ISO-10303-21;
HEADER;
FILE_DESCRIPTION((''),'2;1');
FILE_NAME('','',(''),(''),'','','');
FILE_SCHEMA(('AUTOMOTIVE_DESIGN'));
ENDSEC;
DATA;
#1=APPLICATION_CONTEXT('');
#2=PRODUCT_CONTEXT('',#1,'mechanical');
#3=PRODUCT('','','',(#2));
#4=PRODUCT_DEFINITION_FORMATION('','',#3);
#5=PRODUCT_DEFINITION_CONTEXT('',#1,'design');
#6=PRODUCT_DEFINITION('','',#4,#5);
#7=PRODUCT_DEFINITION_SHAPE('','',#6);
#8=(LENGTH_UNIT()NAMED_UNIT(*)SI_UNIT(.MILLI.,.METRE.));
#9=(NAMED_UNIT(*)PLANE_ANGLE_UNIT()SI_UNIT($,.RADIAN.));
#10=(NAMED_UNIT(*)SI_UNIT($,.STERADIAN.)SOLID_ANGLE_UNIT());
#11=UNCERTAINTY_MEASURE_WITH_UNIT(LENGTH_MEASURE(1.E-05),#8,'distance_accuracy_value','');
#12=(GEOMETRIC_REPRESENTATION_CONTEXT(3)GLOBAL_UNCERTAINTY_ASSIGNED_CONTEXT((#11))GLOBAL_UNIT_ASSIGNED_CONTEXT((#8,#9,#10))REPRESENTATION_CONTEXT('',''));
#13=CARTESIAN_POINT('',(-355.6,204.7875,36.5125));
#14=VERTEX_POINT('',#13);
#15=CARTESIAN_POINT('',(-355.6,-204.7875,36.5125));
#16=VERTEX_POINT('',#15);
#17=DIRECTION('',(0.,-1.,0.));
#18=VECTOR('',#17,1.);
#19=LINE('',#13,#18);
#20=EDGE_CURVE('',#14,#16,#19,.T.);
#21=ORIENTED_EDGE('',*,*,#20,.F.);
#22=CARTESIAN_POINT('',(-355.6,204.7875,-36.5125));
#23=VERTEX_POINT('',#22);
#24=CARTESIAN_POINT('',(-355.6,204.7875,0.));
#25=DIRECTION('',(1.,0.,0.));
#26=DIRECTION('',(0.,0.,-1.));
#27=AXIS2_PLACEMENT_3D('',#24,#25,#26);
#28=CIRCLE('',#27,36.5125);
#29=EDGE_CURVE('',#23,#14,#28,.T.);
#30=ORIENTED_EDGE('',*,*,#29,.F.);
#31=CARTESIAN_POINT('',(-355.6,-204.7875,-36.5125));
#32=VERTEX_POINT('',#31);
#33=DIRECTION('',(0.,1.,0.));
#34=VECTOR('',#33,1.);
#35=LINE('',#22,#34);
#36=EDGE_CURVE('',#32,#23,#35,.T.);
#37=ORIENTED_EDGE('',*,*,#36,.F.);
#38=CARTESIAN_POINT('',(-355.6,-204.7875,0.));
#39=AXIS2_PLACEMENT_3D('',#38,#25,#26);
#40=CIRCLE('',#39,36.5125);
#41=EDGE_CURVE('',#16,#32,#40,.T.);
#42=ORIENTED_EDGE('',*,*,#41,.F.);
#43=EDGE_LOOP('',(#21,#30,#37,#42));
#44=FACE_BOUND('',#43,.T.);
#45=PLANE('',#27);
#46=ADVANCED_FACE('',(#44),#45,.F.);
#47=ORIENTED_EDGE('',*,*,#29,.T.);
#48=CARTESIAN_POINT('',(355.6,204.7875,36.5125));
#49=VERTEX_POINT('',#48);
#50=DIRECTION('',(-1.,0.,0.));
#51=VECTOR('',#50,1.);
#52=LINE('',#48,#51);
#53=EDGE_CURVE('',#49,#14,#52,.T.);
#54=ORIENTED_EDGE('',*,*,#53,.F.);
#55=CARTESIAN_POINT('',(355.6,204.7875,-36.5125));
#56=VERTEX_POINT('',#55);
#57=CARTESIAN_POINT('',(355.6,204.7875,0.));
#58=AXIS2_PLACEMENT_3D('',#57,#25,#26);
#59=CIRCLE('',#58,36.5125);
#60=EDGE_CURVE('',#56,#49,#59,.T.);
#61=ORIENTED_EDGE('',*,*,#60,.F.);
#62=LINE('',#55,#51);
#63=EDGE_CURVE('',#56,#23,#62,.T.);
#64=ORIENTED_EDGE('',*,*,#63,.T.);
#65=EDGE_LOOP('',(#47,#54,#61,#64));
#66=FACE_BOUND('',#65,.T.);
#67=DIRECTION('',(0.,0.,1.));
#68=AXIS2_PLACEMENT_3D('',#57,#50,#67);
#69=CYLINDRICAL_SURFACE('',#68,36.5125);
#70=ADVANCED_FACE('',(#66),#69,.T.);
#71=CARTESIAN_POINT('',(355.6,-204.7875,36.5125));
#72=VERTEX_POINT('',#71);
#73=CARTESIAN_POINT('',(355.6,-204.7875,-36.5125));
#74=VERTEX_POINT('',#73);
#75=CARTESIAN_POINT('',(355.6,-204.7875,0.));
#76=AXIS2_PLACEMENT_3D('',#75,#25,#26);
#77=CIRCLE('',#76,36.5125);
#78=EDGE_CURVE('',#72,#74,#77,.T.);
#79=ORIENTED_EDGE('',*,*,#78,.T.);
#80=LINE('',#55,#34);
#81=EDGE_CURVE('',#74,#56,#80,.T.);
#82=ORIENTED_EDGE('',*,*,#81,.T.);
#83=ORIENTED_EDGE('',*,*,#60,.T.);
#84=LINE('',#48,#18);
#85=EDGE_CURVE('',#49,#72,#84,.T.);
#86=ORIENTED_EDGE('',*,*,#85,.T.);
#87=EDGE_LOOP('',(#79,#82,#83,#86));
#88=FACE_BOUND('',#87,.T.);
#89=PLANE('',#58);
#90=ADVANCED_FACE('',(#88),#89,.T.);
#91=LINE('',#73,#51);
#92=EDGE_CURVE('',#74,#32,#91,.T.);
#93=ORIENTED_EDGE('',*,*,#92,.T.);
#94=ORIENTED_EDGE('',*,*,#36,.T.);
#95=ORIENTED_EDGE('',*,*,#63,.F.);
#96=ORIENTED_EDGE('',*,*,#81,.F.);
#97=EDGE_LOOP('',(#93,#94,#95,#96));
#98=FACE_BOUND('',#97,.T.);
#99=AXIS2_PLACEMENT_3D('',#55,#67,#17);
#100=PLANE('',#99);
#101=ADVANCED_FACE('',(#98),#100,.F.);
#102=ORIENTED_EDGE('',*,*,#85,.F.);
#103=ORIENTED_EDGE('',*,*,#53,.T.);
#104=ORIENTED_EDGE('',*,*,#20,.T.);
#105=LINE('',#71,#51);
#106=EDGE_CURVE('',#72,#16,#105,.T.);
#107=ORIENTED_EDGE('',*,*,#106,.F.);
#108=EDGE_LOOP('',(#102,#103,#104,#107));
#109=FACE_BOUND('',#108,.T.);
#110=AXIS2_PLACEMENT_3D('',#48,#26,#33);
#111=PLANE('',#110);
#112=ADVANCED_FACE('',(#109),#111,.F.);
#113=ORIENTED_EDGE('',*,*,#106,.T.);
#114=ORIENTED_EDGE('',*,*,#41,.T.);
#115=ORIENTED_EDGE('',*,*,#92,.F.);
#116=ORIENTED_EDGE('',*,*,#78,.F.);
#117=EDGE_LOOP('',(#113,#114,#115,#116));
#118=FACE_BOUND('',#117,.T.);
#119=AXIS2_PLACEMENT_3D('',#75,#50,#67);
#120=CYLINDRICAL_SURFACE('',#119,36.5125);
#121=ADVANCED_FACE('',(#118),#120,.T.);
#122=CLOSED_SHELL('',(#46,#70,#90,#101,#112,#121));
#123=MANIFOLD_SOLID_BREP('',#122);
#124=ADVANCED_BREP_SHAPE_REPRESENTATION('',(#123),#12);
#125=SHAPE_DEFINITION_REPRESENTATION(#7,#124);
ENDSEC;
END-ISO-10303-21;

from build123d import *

# Parameters (mm, degrees)
BOSS_EXTRUDE1_DEPTH = 355.6


with BuildPart() as part:
    # Sketch1 → Boss-Extrude1 (new body, symmetric)
    with BuildSketch(Plane(origin=(0, 0, 0), x_dir=(0, 0, -1), z_dir=(1, 0, 0))):
        with BuildLine():
            Line((-36.5125, 204.7875), (-36.5125, -204.7875))
            ThreePointArc((-36.5125, -204.7875), (0, -241.3), (36.5125, -204.7875))
            Line((36.5125, -204.7875), (36.5125, 204.7875))
            ThreePointArc((36.5125, 204.7875), (0, 241.3), (-36.5125, 204.7875))
        make_face()
    extrude(amount=BOSS_EXTRUDE1_DEPTH, both=True)


solid = part.part
